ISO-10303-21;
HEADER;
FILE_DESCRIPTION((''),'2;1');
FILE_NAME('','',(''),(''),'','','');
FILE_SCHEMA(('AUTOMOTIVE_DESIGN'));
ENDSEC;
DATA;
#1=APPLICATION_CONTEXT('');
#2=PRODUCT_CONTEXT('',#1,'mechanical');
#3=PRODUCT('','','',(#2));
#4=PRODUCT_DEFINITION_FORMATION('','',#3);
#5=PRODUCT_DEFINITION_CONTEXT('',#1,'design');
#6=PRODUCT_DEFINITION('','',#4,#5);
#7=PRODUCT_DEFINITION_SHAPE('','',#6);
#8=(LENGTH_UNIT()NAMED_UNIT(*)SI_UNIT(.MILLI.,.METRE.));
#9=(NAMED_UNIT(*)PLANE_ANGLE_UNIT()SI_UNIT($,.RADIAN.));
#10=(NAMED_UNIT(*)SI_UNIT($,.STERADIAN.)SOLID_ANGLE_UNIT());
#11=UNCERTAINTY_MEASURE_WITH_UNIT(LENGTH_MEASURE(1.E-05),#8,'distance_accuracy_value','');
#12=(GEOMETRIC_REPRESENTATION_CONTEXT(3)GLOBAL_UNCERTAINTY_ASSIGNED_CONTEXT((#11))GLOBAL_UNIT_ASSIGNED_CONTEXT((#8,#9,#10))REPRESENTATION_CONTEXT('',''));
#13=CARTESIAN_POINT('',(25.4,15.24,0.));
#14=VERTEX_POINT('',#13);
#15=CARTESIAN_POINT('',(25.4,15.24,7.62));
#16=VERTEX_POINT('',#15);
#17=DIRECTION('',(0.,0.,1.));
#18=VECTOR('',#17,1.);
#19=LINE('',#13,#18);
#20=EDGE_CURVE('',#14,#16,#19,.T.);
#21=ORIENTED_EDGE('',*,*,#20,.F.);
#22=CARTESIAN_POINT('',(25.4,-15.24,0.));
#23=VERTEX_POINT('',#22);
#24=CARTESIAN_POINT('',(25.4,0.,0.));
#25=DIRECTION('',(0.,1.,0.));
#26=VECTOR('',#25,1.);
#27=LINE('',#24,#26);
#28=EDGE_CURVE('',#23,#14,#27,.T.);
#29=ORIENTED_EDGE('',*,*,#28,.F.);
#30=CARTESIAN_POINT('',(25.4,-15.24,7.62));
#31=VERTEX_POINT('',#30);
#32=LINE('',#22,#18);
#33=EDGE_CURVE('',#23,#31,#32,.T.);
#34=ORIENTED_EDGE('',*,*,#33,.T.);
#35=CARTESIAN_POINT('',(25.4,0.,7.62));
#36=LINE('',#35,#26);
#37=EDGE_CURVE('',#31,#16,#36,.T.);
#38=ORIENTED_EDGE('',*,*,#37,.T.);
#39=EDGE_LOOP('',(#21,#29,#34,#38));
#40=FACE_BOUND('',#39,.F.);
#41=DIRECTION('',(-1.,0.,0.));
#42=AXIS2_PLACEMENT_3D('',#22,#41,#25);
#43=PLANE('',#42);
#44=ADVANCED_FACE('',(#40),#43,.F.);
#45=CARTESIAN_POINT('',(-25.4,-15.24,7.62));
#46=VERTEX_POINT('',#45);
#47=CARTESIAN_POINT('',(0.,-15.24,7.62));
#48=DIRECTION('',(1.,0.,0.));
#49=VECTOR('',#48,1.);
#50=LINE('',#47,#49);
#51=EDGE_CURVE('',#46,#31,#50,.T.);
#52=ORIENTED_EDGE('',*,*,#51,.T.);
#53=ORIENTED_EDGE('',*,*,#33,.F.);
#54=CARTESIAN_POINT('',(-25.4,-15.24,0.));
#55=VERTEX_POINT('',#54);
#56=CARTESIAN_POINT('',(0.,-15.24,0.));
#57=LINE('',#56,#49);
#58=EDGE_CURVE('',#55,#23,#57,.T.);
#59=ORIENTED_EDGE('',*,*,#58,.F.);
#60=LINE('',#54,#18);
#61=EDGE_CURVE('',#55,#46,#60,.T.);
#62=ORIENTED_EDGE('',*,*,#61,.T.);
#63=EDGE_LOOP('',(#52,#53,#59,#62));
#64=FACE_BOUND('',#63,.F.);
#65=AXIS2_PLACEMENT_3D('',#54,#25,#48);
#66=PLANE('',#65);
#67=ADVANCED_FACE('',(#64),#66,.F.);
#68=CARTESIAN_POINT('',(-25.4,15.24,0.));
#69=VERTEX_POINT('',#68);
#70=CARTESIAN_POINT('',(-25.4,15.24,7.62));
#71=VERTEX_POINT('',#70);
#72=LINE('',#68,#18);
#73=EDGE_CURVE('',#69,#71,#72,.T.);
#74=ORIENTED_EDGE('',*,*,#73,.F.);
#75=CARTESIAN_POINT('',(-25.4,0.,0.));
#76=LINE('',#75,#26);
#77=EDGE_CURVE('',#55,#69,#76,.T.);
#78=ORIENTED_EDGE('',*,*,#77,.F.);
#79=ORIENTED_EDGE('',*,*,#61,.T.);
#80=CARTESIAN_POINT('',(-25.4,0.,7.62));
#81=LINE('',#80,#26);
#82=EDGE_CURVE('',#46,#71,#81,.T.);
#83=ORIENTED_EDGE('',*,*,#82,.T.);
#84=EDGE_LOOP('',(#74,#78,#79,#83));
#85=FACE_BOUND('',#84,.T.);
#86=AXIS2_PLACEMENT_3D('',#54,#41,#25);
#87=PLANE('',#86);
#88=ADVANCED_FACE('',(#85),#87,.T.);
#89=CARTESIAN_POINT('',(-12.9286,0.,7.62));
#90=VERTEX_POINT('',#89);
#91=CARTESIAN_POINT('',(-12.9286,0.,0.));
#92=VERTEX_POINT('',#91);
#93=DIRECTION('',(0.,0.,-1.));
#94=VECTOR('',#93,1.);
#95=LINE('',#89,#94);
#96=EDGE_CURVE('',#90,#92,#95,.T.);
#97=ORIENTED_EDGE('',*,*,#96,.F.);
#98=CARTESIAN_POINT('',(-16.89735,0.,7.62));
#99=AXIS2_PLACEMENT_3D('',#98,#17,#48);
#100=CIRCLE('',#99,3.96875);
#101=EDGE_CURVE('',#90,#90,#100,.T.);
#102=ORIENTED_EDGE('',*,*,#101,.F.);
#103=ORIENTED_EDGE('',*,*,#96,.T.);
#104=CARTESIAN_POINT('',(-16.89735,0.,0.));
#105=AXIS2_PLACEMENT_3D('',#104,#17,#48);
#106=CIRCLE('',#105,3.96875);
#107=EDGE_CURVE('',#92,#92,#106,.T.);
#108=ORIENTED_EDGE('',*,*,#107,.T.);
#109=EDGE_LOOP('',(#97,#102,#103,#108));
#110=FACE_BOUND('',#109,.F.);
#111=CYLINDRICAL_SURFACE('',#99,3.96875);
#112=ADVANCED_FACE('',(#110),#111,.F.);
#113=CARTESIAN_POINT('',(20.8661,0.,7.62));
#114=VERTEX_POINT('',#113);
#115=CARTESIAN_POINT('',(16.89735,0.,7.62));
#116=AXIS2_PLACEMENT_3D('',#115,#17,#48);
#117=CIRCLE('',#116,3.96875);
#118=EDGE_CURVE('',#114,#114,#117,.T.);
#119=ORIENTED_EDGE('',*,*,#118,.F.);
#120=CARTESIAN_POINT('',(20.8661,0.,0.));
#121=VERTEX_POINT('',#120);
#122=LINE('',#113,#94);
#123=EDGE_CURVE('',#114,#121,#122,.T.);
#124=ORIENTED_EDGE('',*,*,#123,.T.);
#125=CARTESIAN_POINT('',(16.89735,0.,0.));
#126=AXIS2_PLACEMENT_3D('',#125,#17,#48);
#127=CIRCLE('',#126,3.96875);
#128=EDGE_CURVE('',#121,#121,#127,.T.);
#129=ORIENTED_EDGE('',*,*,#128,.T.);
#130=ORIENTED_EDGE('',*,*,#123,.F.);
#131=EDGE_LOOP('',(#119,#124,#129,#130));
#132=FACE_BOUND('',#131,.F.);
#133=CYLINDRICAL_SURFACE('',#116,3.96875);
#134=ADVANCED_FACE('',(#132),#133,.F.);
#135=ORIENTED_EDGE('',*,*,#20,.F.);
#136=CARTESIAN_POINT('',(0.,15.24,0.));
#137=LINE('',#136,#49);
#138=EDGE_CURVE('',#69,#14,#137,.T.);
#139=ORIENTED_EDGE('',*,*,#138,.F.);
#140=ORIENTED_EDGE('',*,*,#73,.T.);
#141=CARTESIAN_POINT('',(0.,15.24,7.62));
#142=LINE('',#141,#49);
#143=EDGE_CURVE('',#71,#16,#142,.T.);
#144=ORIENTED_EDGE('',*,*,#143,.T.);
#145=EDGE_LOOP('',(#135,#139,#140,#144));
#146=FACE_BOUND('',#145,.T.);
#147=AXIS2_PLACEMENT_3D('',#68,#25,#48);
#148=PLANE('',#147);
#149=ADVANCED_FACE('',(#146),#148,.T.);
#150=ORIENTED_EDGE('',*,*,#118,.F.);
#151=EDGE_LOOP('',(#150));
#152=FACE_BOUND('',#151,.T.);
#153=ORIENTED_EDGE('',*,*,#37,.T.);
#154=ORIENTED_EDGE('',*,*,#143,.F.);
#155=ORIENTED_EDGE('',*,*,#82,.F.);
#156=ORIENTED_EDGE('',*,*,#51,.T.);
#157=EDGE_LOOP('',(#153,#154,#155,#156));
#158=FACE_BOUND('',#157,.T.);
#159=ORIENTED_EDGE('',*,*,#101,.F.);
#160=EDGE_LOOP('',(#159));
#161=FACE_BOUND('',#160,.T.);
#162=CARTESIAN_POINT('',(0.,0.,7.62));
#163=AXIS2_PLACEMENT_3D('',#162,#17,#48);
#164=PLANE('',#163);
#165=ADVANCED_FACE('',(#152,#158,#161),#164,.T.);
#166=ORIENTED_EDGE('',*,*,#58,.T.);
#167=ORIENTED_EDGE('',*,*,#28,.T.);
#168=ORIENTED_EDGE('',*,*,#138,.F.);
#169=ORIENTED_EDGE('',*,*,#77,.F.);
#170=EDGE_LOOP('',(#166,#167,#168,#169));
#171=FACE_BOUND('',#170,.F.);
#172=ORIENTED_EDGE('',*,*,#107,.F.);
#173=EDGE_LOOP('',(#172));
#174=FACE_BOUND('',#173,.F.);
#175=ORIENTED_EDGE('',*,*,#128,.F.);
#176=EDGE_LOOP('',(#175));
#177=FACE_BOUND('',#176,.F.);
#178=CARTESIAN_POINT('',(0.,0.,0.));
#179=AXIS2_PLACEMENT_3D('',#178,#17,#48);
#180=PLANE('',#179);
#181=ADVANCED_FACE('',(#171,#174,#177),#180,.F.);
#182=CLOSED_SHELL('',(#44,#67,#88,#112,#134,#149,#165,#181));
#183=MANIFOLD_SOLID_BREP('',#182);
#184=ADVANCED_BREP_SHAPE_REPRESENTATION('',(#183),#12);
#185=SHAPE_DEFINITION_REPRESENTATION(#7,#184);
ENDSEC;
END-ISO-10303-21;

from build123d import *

# Parameters (mm, degrees)
F0_W     = 50.8
F0_H     = 30.48
F1_DEPTH = 7.62
F2_R     = 3.96875
F3_DEPTH = 25.4


with BuildPart() as f1:
    # F0 (on Top) → F1 (new body)
    with BuildSketch(Plane.XY):
        Rectangle(F0_W, F0_H)
    extrude(amount=F1_DEPTH)

    # F2 (on face) → F3 (cut)
    with BuildSketch(Plane.XY.offset(7.62)):
        with BuildLine():
            ThreePointArc((-20.8661, 0), (-16.89735, -3.96875), (-12.9286, 0))
            ThreePointArc((-12.9286, 0), (-16.89735, 3.96875), (-20.8661, 0))
        make_face()
        with Locations((16.89735, 0)):
            Circle(F2_R)
    extrude(amount=-F3_DEPTH, mode=Mode.SUBTRACT)


solid = f1.part
